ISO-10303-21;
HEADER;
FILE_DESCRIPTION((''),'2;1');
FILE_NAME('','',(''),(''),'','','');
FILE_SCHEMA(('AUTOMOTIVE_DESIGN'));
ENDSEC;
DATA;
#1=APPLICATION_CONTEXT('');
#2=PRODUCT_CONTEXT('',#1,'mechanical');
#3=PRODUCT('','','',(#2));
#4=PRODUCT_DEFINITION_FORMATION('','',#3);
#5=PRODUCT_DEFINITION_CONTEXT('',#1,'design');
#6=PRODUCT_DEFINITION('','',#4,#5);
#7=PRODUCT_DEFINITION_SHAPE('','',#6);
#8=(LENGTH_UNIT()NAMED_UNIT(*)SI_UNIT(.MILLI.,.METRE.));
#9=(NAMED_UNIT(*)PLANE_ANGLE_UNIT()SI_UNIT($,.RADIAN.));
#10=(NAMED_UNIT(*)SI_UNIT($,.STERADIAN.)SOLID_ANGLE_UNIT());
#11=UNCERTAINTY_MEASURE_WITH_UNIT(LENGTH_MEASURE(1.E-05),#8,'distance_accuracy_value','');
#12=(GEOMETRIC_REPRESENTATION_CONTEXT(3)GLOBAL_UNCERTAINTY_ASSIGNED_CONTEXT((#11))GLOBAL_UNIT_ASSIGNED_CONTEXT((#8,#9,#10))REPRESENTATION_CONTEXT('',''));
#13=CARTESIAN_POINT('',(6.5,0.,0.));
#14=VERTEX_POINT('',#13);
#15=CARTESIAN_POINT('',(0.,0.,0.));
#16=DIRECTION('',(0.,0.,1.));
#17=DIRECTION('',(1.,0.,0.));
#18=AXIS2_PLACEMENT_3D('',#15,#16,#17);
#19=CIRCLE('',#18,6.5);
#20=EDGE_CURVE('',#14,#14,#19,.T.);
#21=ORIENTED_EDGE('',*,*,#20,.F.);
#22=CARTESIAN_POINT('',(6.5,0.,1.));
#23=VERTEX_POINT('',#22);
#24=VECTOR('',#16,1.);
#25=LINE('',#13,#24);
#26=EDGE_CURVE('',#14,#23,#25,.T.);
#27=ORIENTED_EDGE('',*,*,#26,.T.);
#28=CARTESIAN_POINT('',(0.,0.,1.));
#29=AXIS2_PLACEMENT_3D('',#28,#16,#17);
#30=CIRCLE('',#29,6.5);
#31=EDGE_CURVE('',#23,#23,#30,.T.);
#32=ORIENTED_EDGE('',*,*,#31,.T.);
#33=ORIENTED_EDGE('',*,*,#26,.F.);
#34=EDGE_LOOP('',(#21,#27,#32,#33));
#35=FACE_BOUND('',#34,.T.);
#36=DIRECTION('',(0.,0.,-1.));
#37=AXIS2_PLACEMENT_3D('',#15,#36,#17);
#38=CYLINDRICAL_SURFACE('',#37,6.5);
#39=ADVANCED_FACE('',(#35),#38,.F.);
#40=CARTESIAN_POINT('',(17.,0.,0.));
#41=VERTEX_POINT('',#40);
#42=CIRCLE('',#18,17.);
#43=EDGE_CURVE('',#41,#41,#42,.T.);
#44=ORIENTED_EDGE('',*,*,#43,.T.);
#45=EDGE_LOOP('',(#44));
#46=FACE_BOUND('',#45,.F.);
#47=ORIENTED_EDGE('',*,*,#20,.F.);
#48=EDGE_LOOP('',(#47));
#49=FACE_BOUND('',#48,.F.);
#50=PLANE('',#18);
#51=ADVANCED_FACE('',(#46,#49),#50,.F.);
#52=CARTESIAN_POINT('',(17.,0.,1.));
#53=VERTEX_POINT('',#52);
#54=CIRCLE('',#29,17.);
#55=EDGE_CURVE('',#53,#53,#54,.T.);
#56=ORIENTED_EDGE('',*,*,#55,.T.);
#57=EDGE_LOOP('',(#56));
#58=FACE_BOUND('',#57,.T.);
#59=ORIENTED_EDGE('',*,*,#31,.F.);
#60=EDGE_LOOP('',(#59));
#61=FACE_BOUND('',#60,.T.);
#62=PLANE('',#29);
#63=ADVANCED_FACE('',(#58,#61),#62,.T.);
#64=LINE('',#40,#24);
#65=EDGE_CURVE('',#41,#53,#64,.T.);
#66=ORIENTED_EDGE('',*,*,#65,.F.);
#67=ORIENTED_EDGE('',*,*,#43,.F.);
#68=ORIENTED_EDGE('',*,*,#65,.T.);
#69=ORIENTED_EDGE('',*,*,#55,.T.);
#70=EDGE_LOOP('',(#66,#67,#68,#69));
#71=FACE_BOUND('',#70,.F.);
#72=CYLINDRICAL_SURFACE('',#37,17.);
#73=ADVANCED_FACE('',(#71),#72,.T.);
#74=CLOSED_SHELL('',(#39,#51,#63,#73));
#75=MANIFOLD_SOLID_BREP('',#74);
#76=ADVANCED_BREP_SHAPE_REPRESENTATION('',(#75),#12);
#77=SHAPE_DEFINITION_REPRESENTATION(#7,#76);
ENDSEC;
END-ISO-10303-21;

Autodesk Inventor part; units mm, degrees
ref_plane "YZ Plane" through (0, 0, 0) normal (1, 0, 0) x (0, 1, 0)
ref_plane "XZ Plane" through (0, 0, 0) normal (0, 1, 0) x (-1, 0, 0)
ref_plane "XY Plane" through (0, 0, 0) normal (0, 0, 1) x (1, 0, 0)
sketch "Esboço1" plane through (0, 0, 0) normal (0, 0, 1) x (1, 0, 0)
  circle A0 centre (0, 0) radius 17
  circle A1 centre (0, 0) radius 6.5
extrude "Extrusão1" add sketch "Esboço1" along normal blind 1
sketch "Esboço2" plane through (0, 0, 1) normal (0, 0, 1) x (1, 0, 0)
  line L0 (-9.3517, 13.1144) -> (9.4303, 13.1144) construction
  line L1 (9.4303, 13.1144) -> (9.4303, 9.6144) construction
  line L2 (9.4303, 9.6144) -> (-9.3517, 9.6144) construction
  line L3 (-9.3517, 9.6144) -> (-9.3517, 13.1144) construction
  line L4 (-7.9636, -10.0458) -> (8.4643, -10.0458) construction
  line L5 (8.4643, -10.0458) -> (8.4643, -13.5458) construction
  line L6 (8.4643, -13.5458) -> (-7.9636, -13.5458) construction
  line L7 (-7.9636, -13.5458) -> (-7.9636, -10.0458) construction
properties part number "RHYTHM & TREBLE 2"
